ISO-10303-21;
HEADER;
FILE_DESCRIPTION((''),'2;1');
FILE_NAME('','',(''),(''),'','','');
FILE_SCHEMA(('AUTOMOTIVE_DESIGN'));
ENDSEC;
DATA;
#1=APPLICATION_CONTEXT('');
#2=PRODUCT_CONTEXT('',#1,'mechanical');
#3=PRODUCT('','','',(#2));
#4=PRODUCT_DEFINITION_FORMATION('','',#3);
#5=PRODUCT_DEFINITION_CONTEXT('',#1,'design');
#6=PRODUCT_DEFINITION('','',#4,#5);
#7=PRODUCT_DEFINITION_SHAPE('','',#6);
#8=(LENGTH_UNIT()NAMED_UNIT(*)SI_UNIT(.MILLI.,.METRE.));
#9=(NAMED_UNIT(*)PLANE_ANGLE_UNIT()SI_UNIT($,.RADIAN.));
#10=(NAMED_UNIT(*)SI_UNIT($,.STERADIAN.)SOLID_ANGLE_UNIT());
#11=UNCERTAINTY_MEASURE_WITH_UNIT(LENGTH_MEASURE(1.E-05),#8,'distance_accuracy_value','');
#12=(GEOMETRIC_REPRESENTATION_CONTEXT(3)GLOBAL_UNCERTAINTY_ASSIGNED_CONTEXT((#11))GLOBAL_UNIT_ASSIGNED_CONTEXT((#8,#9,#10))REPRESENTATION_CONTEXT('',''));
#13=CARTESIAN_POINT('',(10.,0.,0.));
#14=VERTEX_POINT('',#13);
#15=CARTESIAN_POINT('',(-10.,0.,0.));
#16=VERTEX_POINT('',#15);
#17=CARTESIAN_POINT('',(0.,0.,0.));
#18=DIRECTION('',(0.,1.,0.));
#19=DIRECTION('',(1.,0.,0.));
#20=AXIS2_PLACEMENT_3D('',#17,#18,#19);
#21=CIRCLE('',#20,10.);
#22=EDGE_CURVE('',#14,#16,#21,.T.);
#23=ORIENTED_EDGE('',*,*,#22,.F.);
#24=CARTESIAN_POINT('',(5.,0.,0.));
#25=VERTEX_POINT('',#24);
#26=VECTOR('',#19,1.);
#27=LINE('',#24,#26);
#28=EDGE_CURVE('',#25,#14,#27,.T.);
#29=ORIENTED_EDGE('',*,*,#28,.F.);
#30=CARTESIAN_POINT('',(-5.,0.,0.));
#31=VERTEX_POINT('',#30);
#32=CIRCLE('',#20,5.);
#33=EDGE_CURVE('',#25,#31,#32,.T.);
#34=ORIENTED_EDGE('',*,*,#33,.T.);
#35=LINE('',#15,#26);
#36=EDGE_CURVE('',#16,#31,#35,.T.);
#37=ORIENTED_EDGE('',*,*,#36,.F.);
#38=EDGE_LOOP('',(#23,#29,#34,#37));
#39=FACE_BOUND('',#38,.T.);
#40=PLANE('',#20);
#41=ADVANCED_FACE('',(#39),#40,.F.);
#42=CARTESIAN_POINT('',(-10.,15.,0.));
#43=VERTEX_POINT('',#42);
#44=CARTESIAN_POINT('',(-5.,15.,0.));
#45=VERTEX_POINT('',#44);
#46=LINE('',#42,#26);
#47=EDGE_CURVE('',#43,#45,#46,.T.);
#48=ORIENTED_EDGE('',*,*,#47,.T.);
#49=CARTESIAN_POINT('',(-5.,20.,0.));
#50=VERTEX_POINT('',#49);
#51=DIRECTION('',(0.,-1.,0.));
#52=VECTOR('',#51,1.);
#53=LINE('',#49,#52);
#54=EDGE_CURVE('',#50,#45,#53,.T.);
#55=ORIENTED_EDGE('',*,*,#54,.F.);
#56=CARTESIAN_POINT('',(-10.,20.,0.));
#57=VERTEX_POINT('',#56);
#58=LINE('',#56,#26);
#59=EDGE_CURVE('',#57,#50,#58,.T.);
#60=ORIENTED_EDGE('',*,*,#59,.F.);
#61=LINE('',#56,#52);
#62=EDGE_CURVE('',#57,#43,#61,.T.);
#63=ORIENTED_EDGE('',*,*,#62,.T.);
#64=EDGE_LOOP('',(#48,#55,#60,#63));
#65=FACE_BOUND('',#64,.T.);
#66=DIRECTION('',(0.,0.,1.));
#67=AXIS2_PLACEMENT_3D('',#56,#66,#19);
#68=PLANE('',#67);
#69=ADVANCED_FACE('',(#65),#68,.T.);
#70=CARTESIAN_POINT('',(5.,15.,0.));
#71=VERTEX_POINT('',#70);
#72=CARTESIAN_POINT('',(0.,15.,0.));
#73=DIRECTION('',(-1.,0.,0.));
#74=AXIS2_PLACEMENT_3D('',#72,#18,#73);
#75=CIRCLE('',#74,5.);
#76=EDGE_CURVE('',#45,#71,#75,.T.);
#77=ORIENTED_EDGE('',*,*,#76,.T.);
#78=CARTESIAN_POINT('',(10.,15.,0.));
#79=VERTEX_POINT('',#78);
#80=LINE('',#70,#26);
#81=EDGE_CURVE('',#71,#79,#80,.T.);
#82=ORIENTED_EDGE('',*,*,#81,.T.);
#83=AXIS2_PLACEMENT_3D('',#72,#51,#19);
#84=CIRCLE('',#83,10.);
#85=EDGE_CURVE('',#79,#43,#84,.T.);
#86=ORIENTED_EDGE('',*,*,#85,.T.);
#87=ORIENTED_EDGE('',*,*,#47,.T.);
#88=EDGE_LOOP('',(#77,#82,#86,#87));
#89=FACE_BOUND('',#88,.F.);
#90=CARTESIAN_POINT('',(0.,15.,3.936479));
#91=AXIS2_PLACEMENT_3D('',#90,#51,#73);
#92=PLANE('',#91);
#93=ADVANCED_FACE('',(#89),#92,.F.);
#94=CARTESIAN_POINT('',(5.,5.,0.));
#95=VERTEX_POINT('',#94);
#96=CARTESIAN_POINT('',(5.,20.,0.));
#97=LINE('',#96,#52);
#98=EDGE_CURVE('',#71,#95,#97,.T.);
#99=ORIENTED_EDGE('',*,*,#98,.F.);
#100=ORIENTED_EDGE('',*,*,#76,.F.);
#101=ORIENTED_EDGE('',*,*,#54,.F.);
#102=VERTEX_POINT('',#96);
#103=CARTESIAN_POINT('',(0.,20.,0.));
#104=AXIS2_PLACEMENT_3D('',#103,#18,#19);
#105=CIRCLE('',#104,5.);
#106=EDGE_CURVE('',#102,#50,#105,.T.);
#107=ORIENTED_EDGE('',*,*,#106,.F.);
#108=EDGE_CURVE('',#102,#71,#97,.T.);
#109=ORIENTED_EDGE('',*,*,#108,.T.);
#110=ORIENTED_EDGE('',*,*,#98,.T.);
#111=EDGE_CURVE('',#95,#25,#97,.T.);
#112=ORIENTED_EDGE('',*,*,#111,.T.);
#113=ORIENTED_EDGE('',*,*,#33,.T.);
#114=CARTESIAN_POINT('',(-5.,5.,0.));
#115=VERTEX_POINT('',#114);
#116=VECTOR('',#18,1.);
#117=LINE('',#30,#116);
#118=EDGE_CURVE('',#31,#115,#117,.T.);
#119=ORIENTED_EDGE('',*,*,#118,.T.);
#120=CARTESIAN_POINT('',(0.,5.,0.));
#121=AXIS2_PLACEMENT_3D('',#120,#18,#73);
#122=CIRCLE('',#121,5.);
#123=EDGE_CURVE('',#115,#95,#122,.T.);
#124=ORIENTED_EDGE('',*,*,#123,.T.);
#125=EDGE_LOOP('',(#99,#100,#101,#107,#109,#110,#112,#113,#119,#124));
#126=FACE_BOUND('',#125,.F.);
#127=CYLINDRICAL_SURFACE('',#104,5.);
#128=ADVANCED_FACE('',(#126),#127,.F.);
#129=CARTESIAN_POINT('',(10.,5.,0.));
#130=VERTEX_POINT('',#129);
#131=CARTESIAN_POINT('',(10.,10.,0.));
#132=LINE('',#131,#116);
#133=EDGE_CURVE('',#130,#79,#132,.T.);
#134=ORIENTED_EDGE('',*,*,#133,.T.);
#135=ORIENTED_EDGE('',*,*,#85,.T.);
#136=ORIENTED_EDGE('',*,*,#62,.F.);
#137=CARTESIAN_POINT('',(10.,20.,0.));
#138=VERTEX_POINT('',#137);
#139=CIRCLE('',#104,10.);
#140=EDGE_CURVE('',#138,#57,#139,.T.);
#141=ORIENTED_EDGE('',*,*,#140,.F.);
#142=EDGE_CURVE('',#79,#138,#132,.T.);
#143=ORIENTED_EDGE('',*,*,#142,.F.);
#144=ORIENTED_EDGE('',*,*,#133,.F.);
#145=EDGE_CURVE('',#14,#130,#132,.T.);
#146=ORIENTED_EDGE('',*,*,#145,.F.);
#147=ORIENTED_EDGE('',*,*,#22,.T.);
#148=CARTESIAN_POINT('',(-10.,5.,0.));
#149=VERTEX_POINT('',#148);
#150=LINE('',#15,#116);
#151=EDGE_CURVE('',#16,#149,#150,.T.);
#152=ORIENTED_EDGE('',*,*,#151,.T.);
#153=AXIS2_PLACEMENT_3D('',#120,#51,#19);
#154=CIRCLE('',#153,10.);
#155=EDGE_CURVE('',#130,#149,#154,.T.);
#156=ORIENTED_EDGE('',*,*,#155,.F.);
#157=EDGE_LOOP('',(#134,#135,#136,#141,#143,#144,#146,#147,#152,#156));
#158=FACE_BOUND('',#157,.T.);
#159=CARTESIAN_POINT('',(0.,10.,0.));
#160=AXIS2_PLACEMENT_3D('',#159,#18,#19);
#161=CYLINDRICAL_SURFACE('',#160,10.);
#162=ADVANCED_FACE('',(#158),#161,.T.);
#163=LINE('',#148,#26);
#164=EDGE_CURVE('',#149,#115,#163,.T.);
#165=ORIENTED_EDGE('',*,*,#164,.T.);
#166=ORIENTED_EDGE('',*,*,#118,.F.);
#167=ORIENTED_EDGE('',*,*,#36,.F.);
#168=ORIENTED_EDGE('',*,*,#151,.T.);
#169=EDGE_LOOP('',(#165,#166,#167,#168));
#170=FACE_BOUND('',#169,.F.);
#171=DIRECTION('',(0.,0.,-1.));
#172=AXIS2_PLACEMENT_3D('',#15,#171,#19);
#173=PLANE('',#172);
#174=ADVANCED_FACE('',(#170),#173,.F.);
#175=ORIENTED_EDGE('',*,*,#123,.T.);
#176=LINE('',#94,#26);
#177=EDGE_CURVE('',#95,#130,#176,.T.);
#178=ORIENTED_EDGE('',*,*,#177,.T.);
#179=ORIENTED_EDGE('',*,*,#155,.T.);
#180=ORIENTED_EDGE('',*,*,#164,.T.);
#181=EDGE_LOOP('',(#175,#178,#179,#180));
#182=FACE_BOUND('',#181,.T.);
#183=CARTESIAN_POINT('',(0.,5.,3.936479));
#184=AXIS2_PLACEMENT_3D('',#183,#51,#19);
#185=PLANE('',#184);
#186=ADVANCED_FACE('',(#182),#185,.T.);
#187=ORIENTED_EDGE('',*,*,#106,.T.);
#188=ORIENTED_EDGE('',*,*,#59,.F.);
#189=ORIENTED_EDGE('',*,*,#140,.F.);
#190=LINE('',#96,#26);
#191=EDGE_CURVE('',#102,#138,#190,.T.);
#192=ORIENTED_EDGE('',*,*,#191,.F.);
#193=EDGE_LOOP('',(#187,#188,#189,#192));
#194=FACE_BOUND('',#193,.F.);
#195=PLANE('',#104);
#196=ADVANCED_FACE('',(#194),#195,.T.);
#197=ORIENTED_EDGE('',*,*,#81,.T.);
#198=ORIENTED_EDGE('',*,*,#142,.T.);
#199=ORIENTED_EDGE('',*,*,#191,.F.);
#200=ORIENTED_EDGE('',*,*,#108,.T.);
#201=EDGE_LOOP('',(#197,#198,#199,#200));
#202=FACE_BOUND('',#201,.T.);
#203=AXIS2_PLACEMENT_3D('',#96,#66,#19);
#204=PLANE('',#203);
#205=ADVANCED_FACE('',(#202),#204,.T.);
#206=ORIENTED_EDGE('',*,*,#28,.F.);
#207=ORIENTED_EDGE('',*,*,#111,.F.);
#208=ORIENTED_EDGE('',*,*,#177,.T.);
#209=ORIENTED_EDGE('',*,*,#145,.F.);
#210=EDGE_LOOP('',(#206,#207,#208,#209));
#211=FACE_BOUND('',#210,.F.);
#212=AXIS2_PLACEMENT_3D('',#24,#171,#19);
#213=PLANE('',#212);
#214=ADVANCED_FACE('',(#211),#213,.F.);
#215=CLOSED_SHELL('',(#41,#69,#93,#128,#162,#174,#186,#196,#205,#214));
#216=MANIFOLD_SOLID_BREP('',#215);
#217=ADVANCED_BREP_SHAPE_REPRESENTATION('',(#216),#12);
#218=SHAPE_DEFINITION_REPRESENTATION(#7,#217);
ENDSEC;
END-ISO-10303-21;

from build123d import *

# Parameters (mm, degrees)
SKETCH1_W          = 10
SKETCH1_H          = 20
SKETCH2_R          = 5
CUT_EXTRUDE1_DEPTH = 20
CUT_EXTRUDE2_DEPTH = 5
CUT_EXTRUDE4_DEPTH = 5


with BuildPart() as part:
    # Sketch1 → Revolve1 (revolve)
    with BuildSketch(Plane.XY):
        with Locations((5, 10)):
            Rectangle(SKETCH1_W, SKETCH1_H)
    revolve(axis=Axis((0, 0, 0), (0, 1, 0)))

    # Sketch2 → Cut-Extrude1 (cut)
    with BuildSketch(Plane(origin=(0, 20, 0), x_dir=(1, 0, 0), z_dir=(0, 1, 0))):
        Circle(SKETCH2_R)
    extrude(amount=-CUT_EXTRUDE1_DEPTH, mode=Mode.SUBTRACT)

    # Sketch3 → Cut-Extrude2 (cut)
    with BuildSketch(Plane(origin=(0, 20, 0), x_dir=(1, 0, 0), z_dir=(0, 1, 0))):
        with BuildLine():
            Line((-10, 0), (-5, 0))
            ThreePointArc((-5, 0), (0, -5), (5, 0))
            Line((5, 0), (10, 0))
            ThreePointArc((10, 0), (0, -10), (-10, 0))
        make_face()
    extrude(amount=-CUT_EXTRUDE2_DEPTH, mode=Mode.SUBTRACT)

    # Sketch4 → Cut-Extrude4 (cut)
    with BuildSketch(Plane.XZ):
        with BuildLine():
            Line((-10, 0), (-5, 0))
            ThreePointArc((-5, 0), (0, 5), (5, 0))
            Line((5, 0), (10, 0))
            ThreePointArc((10, 0), (0, 10), (-10, 0))
        make_face()
    extrude(amount=-CUT_EXTRUDE4_DEPTH, mode=Mode.SUBTRACT)


solid = part.part
